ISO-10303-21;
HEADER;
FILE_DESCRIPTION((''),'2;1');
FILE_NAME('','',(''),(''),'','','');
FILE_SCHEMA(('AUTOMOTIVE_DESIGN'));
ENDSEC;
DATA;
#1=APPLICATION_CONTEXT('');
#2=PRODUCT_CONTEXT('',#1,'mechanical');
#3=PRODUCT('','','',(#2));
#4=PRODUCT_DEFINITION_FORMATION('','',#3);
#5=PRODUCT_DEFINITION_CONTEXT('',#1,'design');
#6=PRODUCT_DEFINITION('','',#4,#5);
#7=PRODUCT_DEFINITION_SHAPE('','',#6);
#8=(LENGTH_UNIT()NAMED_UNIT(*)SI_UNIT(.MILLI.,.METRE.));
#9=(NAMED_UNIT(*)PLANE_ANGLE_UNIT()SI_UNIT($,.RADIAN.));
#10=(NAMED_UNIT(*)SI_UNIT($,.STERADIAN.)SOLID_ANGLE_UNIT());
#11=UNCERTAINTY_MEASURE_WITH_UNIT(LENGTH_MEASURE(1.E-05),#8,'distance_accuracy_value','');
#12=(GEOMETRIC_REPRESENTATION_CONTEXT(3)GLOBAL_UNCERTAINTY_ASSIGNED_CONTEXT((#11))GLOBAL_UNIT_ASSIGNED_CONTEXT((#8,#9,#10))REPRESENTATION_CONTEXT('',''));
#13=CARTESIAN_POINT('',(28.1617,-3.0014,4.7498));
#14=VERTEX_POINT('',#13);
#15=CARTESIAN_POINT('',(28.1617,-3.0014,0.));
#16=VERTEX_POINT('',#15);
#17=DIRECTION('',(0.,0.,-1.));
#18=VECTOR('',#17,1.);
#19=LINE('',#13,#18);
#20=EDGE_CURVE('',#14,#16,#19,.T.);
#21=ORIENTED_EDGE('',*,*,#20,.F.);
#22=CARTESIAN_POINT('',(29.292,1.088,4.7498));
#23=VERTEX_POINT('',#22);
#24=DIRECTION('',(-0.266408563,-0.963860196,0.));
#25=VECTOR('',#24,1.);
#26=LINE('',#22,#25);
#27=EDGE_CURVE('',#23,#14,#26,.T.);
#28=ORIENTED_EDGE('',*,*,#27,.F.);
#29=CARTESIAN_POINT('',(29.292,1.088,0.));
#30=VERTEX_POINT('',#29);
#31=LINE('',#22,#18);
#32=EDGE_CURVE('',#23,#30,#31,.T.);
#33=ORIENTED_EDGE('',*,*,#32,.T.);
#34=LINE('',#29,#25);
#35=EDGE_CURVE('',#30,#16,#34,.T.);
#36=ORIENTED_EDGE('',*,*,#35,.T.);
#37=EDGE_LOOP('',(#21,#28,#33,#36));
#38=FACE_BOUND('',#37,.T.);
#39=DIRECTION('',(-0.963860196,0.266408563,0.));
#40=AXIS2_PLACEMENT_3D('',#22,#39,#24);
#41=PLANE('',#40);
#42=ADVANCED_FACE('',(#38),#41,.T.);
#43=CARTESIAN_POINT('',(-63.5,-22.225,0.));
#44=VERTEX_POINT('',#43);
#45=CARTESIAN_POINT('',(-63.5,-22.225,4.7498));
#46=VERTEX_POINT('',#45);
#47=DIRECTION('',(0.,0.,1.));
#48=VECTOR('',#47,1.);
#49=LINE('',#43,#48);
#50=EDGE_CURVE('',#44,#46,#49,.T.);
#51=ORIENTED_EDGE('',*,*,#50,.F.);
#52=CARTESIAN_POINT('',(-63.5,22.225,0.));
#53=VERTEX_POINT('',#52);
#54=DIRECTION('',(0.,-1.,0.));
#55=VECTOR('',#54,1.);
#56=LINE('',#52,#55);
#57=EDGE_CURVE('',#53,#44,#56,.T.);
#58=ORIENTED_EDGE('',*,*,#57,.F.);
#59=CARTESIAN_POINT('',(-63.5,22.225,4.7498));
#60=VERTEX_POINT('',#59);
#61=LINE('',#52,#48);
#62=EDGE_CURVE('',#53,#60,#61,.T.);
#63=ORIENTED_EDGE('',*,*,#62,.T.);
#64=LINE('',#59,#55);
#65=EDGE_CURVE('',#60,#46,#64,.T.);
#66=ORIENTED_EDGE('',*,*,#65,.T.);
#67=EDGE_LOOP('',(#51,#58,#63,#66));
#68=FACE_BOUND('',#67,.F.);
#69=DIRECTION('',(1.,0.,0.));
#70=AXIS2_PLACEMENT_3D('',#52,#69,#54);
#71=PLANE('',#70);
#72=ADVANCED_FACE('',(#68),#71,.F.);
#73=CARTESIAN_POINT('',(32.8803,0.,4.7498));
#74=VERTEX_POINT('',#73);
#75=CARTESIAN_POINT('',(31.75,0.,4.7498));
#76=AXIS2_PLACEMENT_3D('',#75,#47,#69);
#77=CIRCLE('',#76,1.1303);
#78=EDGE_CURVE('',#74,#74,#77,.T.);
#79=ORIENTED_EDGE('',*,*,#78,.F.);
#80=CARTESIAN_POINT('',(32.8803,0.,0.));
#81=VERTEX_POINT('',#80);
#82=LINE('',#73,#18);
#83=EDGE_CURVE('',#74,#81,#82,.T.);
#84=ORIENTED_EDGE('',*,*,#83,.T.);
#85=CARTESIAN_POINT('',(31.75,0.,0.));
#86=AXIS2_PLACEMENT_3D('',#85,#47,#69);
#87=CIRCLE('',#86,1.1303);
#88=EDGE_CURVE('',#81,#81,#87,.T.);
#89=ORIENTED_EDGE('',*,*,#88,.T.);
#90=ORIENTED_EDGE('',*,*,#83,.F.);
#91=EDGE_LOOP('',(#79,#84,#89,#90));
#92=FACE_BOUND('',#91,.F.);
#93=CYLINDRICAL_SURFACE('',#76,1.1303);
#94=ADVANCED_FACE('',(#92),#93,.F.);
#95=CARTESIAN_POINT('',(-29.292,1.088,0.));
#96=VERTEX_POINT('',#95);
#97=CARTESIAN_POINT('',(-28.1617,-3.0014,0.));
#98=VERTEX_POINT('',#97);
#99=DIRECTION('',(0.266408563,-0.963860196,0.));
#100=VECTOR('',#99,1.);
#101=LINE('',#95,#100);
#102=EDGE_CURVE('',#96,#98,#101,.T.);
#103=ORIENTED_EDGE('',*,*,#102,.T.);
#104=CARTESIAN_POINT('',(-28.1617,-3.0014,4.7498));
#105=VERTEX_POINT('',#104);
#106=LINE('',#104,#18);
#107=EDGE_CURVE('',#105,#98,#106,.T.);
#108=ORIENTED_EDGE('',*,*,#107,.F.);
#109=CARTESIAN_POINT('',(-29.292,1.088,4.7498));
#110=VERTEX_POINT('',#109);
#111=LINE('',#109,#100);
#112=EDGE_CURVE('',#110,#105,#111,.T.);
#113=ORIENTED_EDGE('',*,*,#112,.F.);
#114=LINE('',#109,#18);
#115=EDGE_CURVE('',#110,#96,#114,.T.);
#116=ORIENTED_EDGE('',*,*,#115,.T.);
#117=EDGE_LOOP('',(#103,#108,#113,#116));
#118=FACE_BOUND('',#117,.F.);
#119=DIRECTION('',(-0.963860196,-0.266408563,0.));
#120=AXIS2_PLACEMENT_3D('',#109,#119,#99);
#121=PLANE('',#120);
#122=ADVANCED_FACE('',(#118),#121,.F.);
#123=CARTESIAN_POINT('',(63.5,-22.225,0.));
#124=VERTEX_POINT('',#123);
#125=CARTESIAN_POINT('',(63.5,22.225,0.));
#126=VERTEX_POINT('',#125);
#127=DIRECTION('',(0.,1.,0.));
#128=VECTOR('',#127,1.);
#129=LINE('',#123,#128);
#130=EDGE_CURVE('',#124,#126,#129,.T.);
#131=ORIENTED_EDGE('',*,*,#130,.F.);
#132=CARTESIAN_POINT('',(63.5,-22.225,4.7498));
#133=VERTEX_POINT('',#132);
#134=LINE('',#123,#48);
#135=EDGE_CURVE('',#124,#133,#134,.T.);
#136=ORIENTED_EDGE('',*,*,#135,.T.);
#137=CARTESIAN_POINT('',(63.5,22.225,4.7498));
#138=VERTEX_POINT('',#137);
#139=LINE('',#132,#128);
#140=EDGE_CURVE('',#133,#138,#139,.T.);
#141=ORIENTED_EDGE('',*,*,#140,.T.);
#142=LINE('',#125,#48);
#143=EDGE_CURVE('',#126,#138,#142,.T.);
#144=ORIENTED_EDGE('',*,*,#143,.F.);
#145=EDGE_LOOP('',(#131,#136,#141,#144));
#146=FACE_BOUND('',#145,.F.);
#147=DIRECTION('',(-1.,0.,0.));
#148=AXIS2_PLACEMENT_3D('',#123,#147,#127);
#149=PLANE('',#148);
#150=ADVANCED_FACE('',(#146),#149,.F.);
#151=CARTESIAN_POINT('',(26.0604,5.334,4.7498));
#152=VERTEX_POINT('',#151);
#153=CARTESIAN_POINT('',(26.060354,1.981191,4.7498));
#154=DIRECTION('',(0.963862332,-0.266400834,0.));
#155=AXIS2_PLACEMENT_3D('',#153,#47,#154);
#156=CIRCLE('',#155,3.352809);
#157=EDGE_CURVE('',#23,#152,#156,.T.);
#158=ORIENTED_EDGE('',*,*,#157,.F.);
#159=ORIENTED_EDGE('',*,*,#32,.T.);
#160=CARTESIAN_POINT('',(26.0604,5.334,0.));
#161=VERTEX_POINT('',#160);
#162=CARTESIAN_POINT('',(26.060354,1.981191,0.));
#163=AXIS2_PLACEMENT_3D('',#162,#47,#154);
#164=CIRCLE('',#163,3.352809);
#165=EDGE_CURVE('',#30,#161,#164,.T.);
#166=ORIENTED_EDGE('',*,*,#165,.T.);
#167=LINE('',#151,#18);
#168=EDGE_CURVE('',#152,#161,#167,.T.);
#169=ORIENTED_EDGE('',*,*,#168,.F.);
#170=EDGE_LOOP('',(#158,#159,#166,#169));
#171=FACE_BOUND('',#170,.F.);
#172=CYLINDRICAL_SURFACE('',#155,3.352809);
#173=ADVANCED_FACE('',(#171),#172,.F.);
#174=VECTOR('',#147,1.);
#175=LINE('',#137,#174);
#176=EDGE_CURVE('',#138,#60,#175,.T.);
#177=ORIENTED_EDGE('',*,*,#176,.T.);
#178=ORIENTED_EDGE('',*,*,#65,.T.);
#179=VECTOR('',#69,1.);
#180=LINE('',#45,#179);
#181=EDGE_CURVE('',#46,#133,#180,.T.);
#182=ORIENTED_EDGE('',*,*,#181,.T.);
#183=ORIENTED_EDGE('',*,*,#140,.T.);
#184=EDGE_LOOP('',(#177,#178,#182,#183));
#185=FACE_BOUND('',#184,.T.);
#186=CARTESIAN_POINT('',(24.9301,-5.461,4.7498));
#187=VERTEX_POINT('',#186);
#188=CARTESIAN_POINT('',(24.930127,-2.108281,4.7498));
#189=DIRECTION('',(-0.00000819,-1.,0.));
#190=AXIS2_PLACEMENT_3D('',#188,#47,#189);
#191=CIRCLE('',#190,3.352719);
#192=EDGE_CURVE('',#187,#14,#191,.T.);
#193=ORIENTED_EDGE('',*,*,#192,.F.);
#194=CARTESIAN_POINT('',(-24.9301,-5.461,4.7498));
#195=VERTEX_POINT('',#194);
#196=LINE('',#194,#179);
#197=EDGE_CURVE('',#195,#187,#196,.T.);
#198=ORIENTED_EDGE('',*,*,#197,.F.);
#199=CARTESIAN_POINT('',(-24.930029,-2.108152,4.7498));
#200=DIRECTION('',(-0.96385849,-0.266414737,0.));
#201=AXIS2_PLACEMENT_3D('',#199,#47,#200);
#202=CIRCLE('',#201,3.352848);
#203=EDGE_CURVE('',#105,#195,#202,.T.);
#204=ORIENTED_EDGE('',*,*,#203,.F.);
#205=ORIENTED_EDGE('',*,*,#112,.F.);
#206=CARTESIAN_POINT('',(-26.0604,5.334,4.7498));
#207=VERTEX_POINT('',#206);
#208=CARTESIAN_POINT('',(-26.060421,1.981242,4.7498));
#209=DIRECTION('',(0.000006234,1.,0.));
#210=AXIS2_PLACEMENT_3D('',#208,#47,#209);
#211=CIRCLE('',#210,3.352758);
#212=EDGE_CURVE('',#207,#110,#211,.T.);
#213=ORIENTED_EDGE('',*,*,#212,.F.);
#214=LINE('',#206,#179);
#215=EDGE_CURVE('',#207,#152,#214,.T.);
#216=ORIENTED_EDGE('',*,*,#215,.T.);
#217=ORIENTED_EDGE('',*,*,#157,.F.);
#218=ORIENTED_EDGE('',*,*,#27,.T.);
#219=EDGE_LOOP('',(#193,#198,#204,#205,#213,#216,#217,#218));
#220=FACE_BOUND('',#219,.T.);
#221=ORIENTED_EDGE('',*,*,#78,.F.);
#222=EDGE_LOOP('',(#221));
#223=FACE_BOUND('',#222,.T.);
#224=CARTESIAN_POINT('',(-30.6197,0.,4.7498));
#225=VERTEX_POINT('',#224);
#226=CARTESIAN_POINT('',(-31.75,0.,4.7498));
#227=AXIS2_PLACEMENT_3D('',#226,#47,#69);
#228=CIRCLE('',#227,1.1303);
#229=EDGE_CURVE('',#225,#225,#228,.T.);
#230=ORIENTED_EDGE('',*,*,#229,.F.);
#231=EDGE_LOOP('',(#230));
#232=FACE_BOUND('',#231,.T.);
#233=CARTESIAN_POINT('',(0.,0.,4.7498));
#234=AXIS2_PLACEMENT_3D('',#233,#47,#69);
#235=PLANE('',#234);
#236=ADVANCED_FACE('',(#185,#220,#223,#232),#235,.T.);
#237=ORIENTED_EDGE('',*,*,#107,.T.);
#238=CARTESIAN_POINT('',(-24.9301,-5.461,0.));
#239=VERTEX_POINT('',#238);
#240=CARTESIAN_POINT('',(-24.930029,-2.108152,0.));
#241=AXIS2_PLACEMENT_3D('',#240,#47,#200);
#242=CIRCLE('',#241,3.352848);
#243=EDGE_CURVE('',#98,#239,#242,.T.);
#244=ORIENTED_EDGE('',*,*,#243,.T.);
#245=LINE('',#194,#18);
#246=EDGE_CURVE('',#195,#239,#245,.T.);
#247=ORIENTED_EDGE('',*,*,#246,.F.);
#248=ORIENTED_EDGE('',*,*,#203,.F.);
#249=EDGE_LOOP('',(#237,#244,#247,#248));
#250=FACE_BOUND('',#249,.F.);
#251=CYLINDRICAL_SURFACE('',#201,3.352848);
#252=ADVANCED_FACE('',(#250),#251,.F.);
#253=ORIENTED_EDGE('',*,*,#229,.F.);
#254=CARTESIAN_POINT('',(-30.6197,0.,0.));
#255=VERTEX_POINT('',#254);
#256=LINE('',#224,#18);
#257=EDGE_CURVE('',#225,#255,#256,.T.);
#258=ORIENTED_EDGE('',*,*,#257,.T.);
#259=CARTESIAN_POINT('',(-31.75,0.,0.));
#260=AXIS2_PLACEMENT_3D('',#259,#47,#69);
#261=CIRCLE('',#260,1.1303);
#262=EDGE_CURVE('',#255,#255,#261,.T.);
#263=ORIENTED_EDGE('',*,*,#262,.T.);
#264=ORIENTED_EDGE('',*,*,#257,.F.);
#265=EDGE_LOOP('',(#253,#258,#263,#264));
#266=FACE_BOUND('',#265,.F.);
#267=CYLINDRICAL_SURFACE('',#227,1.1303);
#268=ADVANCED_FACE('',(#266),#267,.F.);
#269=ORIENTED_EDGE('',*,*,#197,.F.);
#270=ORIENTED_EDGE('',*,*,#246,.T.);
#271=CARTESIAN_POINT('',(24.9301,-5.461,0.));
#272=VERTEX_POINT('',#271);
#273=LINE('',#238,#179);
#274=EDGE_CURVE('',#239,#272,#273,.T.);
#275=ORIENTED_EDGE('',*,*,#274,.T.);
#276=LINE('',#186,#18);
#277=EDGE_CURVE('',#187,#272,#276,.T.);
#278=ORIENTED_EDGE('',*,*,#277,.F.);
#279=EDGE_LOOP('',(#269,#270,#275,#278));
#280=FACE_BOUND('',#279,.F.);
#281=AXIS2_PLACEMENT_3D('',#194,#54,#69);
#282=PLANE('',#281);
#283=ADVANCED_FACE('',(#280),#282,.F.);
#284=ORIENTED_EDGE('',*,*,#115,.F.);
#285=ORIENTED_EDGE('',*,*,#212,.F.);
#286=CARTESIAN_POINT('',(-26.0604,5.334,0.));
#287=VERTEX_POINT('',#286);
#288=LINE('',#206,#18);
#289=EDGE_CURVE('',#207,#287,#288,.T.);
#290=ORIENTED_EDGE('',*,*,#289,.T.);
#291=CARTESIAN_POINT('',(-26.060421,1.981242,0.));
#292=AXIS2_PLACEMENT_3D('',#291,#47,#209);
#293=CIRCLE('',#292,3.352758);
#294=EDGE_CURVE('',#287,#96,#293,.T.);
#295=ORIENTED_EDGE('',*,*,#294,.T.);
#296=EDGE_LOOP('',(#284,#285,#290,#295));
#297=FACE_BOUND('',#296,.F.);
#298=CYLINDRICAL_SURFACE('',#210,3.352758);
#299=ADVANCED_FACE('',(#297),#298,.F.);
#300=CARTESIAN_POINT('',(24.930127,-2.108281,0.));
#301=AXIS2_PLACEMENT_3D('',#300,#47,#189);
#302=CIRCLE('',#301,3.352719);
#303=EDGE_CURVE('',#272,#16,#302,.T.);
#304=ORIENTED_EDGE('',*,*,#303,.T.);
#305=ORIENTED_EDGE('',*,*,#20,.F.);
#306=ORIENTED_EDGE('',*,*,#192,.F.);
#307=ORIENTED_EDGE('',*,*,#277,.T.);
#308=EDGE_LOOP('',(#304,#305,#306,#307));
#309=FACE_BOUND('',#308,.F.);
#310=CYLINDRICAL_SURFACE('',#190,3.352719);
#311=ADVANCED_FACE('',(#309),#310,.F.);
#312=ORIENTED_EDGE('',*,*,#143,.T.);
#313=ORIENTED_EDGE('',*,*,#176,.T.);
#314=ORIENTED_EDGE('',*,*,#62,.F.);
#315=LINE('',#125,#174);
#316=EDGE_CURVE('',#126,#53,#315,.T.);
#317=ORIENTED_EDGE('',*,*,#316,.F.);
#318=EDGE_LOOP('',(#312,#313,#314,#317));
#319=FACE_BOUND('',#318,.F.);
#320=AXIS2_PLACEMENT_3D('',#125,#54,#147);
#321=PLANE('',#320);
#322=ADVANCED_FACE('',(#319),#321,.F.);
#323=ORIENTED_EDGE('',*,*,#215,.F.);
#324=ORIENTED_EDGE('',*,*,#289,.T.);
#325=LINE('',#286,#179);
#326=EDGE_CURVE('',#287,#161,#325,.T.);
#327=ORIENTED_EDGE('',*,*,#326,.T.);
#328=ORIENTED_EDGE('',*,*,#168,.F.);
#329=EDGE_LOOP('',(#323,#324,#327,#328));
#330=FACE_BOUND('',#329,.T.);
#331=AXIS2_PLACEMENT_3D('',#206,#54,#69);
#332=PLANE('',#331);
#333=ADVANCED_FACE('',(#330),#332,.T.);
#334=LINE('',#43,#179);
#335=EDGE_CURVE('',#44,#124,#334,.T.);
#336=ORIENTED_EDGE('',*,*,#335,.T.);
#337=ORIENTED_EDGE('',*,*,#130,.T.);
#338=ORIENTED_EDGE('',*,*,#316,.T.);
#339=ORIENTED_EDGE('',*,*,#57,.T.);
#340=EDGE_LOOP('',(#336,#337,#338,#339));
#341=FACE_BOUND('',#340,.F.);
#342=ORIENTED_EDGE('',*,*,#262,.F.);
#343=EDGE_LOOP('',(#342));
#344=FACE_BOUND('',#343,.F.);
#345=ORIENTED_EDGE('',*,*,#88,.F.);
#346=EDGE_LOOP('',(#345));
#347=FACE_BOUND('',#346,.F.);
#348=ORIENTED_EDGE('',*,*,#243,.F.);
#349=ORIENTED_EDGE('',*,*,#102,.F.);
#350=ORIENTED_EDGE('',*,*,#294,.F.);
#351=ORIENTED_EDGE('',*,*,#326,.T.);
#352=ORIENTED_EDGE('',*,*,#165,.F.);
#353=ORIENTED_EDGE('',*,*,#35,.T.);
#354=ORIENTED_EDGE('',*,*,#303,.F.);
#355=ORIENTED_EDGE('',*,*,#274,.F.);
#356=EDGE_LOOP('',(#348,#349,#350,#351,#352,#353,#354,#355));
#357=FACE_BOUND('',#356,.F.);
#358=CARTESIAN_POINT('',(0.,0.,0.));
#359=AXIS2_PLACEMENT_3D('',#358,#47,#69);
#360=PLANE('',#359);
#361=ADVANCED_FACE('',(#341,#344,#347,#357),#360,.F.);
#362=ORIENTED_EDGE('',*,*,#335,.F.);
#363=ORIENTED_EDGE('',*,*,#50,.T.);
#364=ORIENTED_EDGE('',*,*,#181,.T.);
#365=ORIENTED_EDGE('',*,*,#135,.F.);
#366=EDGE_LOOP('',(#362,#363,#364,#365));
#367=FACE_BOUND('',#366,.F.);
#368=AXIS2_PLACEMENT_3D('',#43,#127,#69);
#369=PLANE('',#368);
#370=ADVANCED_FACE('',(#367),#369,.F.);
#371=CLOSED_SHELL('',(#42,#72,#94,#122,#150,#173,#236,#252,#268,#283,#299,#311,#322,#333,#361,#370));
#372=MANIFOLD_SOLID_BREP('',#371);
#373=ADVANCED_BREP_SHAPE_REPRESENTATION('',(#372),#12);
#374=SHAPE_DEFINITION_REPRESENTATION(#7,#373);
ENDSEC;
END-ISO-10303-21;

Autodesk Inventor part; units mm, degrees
ref_plane "YZ Plane" through (0, 0, 0) normal (1, 0, 0) x (0, 1, 0)
ref_plane "XZ Plane" through (0, 0, 0) normal (0, 1, 0) x (-1, 0, 0)
ref_plane "XY Plane" through (0, 0, 0) normal (0, 0, 1) x (1, 0, 0)
sketch "Sketch1" plane through (0, 0, 0) normal (0, 0, 1) x (1, 0, 0)
  line L0 (-63.5, -22.225) -> (63.5, -22.225)
  line L1 (63.5, -22.225) -> (63.5, 22.225)
  line L2 (63.5, 22.225) -> (-63.5, 22.225)
  line L3 (-63.5, 22.225) -> (-63.5, -22.225)
  line L4 (-63.5, -22.225) -> (63.5, 22.225) construction
  line L5 (63.5, -22.225) -> (-63.5, 22.225) construction
  point P0 (0, 0)
  dimension "d0" = 127
  dimension "d1" = 44.45
extrude "Extrusion1" add sketch "Sketch1" along normal blind 4.7498
sketch "Sketch2" plane through (0, 0, 4.7498) normal (0, 0, 1) x (1, 0, 0)
  point P0 (0, 0)
sketch "Sketch3" plane through (0, 0, 4.7498) normal (0, 0, 1) x (1, 0, 0)
  line L0 (-63.5, -22.225) -> (63.5, -22.225) construction
  line L1 (63.5, -22.225) -> (63.5, 22.225) construction
  line L2 (63.5, 22.225) -> (-63.5, 22.225) construction
  line L3 (-63.5, 22.225) -> (-63.5, -22.225) construction
  line L4 (0, 22.225) -> (0, -22.225) construction
  circle A0 centre (-31.75, 0) radius 1.1303
  circle A1 centre (31.75, 0) radius 1.1303
  line L5 (-31.75, 0) -> (31.75, 0) construction
  line L6 (-26.0604, 5.334) -> (26.0604, 5.334)
  line L7 (-24.9301, -5.461) -> (24.9301, -5.461)
  arc A2 (29.292, 1.088) -> (26.0604, 5.334) centre (26.0604, 1.9812) ccw
  arc A3 (24.9301, -5.461) -> (28.1617, -3.0014) centre (24.9301, -2.1082) ccw
  arc A4 (-26.0604, 5.334) -> (-29.292, 1.088) centre (-26.0604, 1.9812) ccw
  line L8 (-29.292, 1.088) -> (-28.1617, -3.0014)
  line L9 (29.292, 1.088) -> (28.1617, -3.0014)
  arc A5 (-28.1617, -3.0014) -> (-24.9301, -5.461) centre (-24.9301, -2.1082) ccw
  line L10 (29.292, 1.088) -> (29.292, -4.9317) construction
  point P0 (0, 0)
  point P1 (0, 5.334)
  point P2 (0, -5.461)
  point P3 (-28.9913, 0)
  point P4 (-30.6197, 0)
  point P5 (-28.9913, 0)
  point P6 (-30.6197, 0)
  point P7 (-30.6197, 0)
  point P8 (-28.9913, 0)
  point P9 (28.9913, 0)
  dimension "d7" = 2.2606
  dimension "d8" = 2.2606
  dimension "d9" = 63.5
  dimension "d11" = 6.7056
  dimension "d13" = 6.7056
  dimension "d15" = 52.1208
  dimension "d16" = 49.8602
  dimension "d17" = 10.795
  dimension "d20" = 5.334
  dimension "d24" = 3.3528
  dimension "d25" = 3.3528
extrude "Extrusion2" cut sketch "Sketch3" against normal blind 4.7498
properties part number "dsub37_cutout"
